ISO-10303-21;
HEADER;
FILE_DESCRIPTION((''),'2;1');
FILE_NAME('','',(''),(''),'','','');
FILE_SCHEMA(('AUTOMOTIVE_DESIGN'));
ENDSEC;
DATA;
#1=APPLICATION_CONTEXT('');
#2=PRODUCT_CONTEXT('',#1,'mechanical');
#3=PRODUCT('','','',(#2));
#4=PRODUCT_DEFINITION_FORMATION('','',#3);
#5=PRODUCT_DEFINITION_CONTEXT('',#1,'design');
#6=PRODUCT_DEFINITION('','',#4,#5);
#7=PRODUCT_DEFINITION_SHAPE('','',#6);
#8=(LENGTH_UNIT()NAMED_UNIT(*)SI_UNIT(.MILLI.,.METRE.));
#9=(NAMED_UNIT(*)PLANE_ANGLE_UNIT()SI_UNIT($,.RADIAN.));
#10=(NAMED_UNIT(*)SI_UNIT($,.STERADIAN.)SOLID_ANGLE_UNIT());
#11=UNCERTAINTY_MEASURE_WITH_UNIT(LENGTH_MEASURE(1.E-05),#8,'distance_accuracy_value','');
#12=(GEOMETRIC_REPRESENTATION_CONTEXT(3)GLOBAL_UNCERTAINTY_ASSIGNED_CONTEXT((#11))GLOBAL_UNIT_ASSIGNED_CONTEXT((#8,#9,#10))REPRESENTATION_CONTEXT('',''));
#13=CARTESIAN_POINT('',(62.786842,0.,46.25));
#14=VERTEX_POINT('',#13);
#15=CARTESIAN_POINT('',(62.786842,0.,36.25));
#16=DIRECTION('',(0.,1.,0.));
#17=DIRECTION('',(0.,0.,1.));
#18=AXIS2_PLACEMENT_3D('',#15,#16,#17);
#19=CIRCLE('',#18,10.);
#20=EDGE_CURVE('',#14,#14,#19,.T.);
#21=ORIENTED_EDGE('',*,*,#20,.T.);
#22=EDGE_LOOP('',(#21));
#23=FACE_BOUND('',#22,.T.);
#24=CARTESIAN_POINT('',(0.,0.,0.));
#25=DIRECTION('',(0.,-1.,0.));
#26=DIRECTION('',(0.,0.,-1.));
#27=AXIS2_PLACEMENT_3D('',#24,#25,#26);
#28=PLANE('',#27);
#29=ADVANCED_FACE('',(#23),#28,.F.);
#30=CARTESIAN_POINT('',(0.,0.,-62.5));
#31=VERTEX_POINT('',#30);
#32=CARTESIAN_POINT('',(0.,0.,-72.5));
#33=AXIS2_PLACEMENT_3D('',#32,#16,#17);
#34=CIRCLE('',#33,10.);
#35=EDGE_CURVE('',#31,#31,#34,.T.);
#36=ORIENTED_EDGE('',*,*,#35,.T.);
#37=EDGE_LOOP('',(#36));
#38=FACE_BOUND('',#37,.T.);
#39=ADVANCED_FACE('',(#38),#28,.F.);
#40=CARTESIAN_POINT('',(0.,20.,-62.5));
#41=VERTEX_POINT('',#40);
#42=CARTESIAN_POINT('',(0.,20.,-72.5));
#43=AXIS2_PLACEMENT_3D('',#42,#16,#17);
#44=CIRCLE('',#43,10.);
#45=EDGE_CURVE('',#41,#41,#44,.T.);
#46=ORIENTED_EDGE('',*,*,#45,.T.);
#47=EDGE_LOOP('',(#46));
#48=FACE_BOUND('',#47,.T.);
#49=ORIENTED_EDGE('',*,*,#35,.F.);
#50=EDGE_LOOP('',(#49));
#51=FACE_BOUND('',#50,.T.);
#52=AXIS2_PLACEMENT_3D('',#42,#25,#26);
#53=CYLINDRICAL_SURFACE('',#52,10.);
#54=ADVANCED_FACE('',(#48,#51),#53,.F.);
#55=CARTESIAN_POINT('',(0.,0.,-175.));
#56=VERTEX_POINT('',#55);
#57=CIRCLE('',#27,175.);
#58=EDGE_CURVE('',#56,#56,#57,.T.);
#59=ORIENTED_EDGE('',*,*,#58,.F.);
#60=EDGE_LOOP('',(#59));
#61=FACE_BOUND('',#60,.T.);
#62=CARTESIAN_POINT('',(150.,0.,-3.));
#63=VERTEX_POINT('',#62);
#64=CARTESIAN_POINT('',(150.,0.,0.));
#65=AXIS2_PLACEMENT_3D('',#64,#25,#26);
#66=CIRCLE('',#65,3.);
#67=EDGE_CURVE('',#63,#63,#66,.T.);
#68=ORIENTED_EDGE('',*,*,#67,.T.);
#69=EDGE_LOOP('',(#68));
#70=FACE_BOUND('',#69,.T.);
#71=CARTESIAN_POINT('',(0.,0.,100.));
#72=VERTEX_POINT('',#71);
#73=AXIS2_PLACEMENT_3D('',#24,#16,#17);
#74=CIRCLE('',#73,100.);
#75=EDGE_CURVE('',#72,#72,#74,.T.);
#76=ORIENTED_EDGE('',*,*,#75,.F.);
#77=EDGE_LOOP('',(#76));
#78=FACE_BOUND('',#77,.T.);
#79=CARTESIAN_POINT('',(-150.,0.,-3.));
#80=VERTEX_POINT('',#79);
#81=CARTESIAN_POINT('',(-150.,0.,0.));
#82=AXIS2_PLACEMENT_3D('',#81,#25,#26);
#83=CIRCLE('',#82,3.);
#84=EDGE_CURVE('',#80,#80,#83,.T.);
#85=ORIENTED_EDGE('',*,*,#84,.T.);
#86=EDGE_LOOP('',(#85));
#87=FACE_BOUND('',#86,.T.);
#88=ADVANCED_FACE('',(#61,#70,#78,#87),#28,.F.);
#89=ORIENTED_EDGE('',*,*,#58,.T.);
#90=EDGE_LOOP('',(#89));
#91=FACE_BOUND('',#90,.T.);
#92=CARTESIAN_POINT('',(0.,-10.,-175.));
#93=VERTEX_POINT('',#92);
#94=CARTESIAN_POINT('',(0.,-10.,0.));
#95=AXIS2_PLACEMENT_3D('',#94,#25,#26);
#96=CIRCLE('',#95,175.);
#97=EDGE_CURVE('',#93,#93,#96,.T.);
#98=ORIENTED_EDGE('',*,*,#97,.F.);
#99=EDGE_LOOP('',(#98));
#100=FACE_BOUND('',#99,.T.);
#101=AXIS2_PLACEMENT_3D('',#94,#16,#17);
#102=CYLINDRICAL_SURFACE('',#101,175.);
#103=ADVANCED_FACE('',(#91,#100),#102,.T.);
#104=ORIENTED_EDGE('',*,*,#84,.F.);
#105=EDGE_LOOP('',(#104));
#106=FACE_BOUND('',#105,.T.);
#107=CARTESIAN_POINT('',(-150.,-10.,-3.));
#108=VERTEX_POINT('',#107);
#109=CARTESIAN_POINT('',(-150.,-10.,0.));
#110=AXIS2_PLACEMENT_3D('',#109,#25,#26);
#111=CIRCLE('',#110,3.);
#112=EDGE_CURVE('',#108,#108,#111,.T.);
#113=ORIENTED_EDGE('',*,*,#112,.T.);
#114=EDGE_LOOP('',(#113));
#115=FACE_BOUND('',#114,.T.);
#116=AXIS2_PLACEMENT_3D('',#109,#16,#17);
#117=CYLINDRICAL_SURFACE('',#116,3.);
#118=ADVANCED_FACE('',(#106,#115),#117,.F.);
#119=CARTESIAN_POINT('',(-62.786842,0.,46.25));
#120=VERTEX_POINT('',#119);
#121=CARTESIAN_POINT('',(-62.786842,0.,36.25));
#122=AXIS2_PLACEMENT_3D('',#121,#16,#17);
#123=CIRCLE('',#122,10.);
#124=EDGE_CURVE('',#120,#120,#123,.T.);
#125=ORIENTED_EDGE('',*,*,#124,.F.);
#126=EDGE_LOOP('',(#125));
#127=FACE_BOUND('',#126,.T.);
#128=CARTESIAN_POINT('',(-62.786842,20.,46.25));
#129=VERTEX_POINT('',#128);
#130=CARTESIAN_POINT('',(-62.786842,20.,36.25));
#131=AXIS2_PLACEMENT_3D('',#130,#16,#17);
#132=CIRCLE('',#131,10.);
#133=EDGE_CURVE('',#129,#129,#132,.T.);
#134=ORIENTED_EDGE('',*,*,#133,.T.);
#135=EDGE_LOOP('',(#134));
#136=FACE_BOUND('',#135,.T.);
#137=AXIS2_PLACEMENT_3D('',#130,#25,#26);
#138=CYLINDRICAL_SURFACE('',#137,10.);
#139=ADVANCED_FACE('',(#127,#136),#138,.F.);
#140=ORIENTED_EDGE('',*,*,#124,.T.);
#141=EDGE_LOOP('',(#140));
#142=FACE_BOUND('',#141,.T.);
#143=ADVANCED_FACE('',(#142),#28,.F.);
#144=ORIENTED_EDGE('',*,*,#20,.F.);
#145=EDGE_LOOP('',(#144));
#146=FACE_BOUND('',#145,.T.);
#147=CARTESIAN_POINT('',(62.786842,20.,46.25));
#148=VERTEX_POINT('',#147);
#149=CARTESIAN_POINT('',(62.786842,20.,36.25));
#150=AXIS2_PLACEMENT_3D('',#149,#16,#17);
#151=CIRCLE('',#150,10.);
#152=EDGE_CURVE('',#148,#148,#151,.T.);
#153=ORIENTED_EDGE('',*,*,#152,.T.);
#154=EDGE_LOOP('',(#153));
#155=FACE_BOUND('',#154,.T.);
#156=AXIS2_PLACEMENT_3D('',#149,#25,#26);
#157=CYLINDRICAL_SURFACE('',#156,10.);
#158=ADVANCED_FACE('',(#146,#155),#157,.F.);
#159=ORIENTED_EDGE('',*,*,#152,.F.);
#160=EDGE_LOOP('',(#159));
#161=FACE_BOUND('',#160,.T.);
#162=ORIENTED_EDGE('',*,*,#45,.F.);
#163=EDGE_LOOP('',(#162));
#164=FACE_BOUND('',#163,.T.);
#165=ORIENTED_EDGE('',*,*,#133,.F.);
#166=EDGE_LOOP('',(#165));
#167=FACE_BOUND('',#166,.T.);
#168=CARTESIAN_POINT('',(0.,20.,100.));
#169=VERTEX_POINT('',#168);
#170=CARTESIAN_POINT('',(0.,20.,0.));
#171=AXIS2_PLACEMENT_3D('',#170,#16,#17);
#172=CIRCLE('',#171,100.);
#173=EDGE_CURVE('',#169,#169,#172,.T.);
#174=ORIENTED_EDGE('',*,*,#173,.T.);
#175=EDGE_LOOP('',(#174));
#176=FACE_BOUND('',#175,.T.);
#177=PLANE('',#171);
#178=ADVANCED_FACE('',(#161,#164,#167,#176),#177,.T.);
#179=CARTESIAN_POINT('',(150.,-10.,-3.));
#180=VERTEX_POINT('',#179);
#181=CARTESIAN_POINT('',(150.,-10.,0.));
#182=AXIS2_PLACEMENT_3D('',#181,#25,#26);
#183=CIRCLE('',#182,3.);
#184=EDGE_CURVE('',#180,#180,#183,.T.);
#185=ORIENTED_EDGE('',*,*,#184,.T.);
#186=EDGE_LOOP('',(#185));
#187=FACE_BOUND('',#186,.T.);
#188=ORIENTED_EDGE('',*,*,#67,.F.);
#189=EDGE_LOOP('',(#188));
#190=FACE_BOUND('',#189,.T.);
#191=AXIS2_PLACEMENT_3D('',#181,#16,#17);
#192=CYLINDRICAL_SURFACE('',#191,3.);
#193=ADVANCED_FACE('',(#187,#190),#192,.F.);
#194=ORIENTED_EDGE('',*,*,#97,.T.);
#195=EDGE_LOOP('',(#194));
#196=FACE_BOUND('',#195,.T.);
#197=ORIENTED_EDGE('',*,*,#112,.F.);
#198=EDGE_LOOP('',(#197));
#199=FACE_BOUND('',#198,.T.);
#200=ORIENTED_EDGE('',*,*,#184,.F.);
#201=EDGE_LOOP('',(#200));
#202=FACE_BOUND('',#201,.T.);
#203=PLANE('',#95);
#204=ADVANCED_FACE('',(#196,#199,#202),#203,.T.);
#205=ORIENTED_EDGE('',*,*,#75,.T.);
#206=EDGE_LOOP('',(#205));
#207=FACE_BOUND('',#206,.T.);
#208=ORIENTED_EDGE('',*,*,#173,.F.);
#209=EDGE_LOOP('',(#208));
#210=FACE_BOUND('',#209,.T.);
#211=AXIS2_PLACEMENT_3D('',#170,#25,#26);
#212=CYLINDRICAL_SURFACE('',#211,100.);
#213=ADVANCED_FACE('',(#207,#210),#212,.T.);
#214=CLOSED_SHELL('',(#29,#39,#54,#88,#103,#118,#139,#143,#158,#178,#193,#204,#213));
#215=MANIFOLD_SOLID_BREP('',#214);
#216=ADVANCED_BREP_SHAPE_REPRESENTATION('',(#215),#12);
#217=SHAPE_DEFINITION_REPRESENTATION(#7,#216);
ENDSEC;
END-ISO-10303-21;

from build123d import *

# Parameters (mm, degrees)
SKETCH_1_R      = 100
SKETCH_1_R_2    = 10
EXTRUDE_1_DEPTH = 20
SKETCH_2_R      = 175
SKETCH_2_R_2    = 3
EXTRUDE_2_DEPTH = 10


with BuildPart() as part:
    # 草圖1 → 填料-伸長1 (new body)
    with BuildSketch(Plane(origin=(0, 0, 0), x_dir=(1, 0, 0), z_dir=(0, 1, 0))):
        with Locations(Location((0, 0, 0), (0, 0, 270))):
            Circle(SKETCH_1_R)
        with Locations(Location((0, 72.5, 0), (0, 0, 270))):
            Circle(SKETCH_1_R_2, mode=Mode.SUBTRACT)
        with Locations(Location((62.786841774, -36.25, 0), (0, 0, 270))):
            Circle(SKETCH_1_R_2, mode=Mode.SUBTRACT)
        with Locations(Location((-62.786841774, -36.25, 0), (0, 0, 270))):
            Circle(SKETCH_1_R_2, mode=Mode.SUBTRACT)
    extrude(amount=EXTRUDE_1_DEPTH)

    # 草圖2 → 填料-伸長2 (add)
    with BuildSketch(Plane.XZ):
        with Locations(Location((0, 0, 0), (0, 0, 270))):
            Circle(SKETCH_2_R)
        with Locations(Location((-150, 0, 0), (0, 0, 270))):
            Circle(SKETCH_2_R_2, mode=Mode.SUBTRACT)
        with Locations(Location((150, 0, 0), (0, 0, 270))):
            Circle(SKETCH_2_R_2, mode=Mode.SUBTRACT)
    extrude(amount=EXTRUDE_2_DEPTH)


solid = part.part
